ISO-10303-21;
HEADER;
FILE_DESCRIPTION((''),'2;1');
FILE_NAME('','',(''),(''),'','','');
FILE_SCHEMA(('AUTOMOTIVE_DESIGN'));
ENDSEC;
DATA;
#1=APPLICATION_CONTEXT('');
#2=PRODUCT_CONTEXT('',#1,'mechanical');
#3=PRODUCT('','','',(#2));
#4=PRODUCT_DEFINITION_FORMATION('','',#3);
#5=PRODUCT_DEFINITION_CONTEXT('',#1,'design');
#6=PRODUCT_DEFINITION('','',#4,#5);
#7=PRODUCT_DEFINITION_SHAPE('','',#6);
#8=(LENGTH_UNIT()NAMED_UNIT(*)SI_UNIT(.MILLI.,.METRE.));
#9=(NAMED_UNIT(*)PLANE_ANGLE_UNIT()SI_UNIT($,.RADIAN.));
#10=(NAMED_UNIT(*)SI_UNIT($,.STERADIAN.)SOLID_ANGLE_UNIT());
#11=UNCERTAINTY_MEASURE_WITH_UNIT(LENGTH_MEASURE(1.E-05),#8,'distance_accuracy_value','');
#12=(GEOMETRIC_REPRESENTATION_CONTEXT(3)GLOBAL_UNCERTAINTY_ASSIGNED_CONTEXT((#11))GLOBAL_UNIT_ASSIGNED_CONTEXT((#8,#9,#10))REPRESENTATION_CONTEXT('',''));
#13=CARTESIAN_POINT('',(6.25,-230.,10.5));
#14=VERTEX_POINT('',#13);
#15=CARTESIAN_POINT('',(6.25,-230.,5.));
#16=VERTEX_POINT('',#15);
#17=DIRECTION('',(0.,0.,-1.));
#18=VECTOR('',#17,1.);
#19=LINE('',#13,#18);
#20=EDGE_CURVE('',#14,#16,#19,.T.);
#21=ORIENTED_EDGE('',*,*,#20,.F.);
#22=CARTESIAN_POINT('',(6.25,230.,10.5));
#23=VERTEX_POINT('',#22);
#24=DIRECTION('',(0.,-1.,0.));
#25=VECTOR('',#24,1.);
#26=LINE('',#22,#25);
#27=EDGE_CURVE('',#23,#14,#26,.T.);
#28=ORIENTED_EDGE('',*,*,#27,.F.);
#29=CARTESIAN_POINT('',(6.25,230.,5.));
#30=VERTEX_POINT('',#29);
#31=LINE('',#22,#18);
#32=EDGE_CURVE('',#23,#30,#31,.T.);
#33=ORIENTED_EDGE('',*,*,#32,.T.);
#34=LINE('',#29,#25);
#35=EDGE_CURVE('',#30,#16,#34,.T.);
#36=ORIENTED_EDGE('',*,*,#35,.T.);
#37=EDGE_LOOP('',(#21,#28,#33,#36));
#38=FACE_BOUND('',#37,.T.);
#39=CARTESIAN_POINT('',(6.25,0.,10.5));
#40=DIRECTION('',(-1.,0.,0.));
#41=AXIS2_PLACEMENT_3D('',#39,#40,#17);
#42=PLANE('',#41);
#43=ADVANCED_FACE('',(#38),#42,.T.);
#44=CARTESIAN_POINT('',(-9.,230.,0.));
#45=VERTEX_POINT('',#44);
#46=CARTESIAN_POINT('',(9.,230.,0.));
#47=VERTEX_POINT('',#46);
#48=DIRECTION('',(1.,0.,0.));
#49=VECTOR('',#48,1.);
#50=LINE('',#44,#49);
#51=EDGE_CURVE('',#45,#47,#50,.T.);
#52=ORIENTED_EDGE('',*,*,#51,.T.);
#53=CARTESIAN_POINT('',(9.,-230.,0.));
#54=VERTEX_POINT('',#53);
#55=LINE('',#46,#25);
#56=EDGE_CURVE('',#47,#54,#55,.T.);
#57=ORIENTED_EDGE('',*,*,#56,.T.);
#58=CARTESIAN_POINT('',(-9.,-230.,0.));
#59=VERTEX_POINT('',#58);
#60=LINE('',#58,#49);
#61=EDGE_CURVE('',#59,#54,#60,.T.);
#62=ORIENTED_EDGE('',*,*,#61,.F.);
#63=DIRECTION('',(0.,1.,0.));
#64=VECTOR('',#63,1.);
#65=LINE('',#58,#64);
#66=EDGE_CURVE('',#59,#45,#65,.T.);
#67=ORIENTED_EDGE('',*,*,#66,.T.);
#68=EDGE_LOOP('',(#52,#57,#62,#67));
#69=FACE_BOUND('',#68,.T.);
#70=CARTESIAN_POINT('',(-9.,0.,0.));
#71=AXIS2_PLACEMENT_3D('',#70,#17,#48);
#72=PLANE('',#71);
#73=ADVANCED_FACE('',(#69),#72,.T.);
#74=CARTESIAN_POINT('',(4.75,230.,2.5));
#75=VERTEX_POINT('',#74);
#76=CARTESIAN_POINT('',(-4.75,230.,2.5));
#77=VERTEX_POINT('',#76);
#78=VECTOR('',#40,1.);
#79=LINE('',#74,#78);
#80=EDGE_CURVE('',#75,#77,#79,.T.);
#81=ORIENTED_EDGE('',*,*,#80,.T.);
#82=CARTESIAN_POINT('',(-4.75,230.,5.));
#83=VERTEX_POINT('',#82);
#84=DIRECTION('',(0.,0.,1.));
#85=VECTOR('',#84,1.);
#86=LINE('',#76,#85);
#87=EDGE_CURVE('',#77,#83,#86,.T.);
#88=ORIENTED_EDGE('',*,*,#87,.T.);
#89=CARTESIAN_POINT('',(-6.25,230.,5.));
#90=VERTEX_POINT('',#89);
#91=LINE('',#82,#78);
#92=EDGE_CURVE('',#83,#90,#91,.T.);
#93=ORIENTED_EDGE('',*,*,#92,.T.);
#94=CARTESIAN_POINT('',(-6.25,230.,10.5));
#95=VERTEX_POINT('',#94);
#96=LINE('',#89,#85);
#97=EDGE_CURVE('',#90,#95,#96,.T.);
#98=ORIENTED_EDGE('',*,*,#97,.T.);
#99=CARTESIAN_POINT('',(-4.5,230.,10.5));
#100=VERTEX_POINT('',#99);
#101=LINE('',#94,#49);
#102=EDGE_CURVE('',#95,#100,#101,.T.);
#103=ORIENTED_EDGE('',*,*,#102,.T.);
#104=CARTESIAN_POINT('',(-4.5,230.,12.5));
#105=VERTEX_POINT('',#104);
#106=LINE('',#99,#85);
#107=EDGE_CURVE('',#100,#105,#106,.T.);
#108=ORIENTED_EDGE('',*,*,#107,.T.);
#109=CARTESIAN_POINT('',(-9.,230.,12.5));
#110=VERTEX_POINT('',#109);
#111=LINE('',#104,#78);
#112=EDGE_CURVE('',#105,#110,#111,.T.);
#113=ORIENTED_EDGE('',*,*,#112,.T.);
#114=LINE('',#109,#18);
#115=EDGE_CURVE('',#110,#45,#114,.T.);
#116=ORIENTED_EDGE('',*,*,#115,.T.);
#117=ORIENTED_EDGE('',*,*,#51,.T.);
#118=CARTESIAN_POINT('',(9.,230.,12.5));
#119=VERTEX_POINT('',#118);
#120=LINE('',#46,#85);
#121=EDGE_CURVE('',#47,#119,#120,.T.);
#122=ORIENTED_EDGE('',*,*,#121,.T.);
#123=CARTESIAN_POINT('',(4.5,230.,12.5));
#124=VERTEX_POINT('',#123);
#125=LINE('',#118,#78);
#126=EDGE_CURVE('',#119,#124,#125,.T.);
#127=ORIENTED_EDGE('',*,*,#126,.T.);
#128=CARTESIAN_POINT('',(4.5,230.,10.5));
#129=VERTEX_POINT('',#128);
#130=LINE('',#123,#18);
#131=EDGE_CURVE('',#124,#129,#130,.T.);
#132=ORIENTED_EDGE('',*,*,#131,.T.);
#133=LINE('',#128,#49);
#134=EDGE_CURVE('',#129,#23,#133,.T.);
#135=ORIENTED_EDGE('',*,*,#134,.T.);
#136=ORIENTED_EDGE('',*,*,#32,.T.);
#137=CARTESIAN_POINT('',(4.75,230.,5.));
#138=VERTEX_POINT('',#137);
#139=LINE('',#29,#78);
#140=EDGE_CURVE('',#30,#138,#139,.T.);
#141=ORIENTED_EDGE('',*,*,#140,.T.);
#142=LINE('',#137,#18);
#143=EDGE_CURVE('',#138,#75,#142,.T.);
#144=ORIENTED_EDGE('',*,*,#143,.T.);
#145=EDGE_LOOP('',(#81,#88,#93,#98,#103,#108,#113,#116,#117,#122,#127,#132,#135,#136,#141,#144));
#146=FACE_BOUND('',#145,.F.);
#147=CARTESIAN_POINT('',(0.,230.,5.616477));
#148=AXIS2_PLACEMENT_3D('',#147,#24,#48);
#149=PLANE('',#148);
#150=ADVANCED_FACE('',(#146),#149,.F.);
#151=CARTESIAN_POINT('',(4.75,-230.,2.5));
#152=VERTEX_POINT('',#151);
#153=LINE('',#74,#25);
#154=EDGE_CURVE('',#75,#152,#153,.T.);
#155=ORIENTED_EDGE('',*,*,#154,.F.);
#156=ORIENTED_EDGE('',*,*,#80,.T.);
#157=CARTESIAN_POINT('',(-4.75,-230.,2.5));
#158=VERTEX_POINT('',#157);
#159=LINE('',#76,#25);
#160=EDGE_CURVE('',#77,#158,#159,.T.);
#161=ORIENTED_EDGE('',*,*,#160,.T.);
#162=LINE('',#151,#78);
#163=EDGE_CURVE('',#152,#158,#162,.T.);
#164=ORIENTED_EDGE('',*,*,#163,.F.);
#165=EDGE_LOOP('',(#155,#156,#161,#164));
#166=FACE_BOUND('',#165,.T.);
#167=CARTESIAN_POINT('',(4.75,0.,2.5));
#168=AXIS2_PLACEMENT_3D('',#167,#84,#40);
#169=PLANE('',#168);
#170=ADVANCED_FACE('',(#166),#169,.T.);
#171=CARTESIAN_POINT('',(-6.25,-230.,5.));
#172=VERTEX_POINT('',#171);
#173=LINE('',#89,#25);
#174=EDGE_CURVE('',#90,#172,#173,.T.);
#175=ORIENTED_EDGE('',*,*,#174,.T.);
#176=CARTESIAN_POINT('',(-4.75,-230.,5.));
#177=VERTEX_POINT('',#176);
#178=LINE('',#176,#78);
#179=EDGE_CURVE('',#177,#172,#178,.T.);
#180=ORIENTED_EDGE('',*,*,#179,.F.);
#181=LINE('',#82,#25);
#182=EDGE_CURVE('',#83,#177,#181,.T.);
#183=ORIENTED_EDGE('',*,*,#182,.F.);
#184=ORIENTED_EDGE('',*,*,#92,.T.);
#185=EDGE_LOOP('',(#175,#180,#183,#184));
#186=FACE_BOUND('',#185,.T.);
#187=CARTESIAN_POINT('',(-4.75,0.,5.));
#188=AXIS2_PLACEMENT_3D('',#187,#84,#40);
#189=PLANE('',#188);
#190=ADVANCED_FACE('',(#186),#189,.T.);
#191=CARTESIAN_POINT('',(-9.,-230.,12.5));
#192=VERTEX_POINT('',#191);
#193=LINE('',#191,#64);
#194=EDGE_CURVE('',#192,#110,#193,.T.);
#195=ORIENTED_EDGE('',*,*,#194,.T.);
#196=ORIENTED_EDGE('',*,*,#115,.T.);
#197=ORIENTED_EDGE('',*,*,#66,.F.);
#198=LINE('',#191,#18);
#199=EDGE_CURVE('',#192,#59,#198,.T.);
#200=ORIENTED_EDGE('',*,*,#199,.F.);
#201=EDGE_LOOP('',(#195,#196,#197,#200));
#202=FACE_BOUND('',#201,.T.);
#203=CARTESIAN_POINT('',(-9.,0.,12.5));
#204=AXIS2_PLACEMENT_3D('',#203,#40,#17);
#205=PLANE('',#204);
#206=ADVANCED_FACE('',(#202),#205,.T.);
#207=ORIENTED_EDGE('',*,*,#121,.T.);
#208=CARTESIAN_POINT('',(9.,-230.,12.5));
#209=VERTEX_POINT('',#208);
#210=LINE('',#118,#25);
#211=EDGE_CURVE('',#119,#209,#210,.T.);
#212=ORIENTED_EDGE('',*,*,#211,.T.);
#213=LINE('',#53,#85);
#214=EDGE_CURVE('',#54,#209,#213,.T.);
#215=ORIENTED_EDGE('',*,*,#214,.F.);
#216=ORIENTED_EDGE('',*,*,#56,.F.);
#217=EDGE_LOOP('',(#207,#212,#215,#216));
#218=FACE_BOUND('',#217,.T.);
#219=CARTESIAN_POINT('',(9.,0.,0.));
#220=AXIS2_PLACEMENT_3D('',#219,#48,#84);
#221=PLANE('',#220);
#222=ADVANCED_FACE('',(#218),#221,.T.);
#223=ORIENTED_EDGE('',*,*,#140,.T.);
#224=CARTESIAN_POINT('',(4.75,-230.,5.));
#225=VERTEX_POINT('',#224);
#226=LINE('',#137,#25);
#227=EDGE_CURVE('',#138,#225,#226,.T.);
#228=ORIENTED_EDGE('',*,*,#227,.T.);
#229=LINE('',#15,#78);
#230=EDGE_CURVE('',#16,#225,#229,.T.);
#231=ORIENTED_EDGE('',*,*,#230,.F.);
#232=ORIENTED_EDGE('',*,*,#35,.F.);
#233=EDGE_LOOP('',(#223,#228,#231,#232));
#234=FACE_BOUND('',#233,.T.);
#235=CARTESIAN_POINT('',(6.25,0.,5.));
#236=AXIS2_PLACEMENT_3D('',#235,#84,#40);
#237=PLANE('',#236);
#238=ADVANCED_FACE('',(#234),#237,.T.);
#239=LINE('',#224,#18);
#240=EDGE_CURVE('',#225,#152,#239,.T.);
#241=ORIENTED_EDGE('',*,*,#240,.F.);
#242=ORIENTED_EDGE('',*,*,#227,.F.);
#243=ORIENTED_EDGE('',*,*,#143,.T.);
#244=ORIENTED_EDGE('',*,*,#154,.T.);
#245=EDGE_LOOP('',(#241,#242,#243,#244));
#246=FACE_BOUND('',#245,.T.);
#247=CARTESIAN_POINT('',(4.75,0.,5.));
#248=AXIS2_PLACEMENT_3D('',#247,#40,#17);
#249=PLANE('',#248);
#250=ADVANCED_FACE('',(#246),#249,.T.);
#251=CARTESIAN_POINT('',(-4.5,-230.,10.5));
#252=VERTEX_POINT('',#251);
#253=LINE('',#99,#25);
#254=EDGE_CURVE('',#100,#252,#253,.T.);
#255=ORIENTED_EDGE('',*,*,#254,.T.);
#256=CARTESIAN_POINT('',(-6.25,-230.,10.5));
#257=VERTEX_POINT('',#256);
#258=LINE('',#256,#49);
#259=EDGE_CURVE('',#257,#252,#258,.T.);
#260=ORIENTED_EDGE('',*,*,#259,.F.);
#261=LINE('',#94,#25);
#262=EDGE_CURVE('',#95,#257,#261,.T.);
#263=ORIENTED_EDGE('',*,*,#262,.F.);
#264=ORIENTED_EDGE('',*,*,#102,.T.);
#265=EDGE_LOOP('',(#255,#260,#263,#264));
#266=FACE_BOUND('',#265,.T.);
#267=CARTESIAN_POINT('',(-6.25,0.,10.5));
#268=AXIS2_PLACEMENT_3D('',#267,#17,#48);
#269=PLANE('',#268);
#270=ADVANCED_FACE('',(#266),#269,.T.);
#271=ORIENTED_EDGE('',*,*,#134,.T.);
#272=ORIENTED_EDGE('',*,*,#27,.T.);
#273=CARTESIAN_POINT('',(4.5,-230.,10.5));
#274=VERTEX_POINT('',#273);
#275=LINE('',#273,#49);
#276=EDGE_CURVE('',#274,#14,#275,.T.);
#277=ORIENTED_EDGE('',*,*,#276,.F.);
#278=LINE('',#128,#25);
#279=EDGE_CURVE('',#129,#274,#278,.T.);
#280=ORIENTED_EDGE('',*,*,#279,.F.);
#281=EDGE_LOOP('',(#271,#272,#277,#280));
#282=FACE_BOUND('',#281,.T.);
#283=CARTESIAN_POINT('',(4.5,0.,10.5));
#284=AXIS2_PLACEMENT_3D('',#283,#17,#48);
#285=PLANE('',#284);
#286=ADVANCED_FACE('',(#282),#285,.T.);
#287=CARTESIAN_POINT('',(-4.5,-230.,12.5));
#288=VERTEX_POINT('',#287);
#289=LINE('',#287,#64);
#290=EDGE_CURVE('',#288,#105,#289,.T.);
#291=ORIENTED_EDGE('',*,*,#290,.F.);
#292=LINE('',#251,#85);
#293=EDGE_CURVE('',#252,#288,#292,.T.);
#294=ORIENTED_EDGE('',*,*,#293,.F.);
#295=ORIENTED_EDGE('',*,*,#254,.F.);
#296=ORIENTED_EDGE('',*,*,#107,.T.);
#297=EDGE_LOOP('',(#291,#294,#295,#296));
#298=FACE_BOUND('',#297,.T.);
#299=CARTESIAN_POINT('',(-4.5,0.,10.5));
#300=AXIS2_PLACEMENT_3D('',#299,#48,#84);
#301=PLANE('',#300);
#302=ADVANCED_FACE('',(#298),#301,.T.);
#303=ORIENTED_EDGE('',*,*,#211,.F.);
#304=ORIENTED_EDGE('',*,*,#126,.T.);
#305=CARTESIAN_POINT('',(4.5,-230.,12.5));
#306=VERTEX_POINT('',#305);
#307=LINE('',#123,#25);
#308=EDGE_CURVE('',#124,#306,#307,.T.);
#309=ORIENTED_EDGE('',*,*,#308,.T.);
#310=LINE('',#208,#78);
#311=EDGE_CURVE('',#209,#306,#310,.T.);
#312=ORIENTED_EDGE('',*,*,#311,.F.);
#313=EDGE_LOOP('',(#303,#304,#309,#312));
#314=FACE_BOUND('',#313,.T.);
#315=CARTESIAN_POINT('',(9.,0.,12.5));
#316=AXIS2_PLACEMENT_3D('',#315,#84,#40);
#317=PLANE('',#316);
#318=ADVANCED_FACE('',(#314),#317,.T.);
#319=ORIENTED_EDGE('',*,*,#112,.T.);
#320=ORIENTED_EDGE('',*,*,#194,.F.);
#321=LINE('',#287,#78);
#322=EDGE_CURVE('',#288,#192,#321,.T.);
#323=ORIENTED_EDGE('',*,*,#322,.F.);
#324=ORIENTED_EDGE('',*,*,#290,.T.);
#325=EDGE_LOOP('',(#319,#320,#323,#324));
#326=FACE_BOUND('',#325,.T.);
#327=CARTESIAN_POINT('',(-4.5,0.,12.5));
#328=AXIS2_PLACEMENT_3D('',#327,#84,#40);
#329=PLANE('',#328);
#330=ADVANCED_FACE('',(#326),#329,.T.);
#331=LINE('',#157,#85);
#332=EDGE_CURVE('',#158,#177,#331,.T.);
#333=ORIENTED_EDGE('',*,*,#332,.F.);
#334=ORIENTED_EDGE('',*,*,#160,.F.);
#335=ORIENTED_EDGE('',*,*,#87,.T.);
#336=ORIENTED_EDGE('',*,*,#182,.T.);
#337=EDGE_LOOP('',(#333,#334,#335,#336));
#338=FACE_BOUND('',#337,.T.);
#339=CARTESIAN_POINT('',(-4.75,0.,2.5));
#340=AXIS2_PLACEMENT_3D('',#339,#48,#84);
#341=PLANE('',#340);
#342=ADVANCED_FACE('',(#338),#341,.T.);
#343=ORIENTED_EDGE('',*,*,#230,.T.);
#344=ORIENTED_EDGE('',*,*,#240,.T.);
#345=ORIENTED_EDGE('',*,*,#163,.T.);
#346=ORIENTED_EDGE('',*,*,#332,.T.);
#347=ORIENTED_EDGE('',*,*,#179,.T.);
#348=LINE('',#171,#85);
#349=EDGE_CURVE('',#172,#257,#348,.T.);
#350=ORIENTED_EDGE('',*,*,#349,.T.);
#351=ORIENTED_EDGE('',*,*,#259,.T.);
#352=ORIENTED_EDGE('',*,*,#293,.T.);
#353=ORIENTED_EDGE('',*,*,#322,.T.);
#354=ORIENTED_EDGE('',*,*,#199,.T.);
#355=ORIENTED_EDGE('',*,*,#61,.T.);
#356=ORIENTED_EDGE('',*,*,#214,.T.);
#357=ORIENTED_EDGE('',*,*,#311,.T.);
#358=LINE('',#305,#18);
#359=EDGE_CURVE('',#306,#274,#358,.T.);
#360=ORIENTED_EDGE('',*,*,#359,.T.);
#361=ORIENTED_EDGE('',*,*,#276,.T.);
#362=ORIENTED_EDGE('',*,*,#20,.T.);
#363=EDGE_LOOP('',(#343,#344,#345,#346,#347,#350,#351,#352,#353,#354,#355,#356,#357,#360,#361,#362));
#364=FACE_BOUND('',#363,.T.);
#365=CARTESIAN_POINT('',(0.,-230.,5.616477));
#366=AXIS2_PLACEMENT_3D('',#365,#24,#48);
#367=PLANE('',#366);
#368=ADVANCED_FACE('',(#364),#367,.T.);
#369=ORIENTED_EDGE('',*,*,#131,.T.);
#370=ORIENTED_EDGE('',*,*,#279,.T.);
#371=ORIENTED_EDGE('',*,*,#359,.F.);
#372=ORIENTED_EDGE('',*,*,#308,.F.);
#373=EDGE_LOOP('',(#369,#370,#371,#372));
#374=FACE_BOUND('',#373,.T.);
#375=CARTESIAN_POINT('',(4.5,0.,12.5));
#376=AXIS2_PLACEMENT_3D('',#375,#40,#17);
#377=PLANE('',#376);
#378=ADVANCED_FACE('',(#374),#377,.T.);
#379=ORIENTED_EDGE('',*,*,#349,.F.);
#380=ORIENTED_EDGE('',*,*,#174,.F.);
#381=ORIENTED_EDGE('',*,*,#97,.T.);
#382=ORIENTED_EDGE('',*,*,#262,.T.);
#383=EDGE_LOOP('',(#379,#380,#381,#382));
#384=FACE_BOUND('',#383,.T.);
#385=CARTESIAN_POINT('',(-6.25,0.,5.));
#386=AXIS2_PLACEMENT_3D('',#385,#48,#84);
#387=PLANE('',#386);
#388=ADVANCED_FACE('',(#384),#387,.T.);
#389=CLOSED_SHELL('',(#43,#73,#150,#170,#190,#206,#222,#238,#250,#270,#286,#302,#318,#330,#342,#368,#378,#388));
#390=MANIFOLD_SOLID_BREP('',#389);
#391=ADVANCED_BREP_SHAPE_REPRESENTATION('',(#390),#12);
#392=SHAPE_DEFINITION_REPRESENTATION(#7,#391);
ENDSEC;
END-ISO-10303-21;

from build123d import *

# Parameters (mm, degrees)
F1_DEPTH = 230


with BuildPart() as f1:
    # F0 (on Front) → F1 (new body, symmetric)
    with BuildSketch(Plane.XZ):
        Polygon((-9, 0), (0, 0), (9, 0), (9, 12.5), (4.5, 12.5), (4.5, 10.5), (6.25, 10.5), (6.25, 5), (4.75, 5), (4.75, 2.5), (0, 2.5), (-4.75, 2.5), (-4.75, 5), (-6.25, 5), (-6.25, 10.5), (-4.5, 10.5), (-4.5, 12.5), (-9, 12.5), align=None)
    extrude(amount=F1_DEPTH, both=True)


solid = f1.part
